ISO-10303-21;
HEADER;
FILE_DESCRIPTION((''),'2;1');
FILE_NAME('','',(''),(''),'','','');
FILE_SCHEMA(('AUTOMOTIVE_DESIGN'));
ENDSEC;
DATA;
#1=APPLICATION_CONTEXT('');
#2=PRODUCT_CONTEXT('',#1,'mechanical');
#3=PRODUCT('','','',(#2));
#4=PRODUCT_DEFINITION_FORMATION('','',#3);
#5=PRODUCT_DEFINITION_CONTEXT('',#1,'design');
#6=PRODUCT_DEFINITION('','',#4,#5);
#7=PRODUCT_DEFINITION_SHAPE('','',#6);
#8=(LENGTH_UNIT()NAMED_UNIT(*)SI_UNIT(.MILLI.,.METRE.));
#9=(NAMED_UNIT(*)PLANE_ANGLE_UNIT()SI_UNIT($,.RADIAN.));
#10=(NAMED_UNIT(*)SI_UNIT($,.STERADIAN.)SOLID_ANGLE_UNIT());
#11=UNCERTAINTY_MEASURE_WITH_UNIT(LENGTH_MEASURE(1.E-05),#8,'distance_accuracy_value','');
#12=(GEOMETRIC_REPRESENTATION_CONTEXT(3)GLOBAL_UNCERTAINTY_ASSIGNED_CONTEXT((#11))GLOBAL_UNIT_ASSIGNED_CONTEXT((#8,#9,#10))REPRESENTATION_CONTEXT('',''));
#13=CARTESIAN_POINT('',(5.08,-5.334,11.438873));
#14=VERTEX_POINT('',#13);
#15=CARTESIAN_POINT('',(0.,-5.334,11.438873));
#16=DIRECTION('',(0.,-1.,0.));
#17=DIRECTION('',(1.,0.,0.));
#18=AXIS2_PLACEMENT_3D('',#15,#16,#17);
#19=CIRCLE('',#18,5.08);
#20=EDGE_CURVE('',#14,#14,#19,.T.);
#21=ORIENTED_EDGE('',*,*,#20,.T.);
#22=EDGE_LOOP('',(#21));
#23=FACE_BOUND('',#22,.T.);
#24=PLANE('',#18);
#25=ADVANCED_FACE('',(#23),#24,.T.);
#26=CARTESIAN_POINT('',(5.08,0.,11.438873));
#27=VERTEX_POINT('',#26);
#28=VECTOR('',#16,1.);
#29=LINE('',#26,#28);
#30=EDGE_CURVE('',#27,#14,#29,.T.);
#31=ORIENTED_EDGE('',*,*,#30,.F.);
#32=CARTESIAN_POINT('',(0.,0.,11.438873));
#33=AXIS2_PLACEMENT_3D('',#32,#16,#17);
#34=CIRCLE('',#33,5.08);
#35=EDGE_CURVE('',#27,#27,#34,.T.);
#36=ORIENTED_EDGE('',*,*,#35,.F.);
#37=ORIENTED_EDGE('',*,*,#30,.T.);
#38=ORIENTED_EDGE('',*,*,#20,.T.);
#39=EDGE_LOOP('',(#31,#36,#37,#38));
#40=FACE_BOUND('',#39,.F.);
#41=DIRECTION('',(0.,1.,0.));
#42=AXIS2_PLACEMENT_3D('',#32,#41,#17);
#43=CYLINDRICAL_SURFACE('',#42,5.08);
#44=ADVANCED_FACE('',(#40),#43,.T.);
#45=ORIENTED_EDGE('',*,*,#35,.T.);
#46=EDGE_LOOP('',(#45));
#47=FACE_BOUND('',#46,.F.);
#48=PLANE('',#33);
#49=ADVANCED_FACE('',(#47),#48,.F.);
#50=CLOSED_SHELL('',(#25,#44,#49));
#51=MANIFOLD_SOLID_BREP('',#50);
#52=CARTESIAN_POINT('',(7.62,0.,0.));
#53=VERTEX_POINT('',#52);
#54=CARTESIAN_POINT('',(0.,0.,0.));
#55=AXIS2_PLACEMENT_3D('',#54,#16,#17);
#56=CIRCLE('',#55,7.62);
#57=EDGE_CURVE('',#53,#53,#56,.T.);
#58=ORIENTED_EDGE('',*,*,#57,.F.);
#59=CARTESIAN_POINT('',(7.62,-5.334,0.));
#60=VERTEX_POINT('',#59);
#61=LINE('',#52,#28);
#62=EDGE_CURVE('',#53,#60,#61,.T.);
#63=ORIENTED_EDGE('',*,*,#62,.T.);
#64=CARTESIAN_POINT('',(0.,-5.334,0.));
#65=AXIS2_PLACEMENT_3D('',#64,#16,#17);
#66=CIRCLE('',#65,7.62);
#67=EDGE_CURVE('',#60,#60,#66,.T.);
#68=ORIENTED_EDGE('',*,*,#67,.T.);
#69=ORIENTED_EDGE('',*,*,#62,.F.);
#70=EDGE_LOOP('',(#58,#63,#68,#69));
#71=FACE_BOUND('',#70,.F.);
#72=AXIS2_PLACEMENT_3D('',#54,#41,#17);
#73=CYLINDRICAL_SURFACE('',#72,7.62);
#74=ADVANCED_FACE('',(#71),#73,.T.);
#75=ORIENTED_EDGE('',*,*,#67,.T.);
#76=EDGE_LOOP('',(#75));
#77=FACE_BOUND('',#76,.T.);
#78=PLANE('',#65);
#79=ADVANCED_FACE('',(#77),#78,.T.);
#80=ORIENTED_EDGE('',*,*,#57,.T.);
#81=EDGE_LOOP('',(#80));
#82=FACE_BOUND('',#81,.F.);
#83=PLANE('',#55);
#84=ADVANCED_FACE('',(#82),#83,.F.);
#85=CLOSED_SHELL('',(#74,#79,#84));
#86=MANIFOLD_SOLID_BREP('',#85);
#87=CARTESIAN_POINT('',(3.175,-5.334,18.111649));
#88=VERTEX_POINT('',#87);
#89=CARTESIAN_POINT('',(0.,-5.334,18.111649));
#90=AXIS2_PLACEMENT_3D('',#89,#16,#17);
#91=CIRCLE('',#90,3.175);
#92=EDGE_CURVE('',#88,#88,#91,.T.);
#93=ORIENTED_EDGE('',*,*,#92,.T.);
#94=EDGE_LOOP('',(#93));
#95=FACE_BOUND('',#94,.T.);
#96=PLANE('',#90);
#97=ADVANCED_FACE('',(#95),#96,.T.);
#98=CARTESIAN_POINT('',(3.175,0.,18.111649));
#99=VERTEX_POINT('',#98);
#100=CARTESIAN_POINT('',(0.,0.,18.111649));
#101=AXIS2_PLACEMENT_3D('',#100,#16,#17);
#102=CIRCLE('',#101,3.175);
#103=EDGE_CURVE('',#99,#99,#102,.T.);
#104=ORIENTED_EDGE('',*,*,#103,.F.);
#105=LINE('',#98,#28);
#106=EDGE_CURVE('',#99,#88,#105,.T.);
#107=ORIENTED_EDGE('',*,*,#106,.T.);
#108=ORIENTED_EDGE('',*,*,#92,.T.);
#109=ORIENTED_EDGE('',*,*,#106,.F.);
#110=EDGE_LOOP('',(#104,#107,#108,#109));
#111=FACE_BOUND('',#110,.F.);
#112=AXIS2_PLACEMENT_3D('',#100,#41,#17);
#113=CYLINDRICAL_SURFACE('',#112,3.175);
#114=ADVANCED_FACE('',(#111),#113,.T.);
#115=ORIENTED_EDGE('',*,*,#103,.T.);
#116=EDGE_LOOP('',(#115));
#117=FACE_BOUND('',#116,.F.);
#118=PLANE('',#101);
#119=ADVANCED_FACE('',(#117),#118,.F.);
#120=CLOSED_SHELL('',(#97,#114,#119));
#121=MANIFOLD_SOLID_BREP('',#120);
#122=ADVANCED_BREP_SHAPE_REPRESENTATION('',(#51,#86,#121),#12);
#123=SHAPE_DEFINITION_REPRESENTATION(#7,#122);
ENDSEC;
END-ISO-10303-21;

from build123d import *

# Parameters (mm, degrees)
F2_R     = 3.175
F3_DEPTH = 5.334
F1_R     = 5.08
F0_R     = 7.62


with BuildPart() as f3:
    # F2 (on Front) → F3 (new body)
    with BuildSketch(Plane.XZ):
        with Locations((0, 18.1116494595)):
            Circle(F2_R)
    extrude(amount=F3_DEPTH)


with BuildPart() as f3b:
    # F1 (on Front) → F3, piece 2 (new body)
    with BuildSketch(Plane.XZ):
        with Locations((0, 11.4388726652)):
            Circle(F1_R)
    extrude(amount=F3_DEPTH)


with BuildPart() as f3c:
    # F0 (on Front) → F3, piece 3 (new body)
    with BuildSketch(Plane.XZ):
        Circle(F0_R)
    extrude(amount=F3_DEPTH)


solid = Compound([f3.part, f3b.part, f3c.part])
